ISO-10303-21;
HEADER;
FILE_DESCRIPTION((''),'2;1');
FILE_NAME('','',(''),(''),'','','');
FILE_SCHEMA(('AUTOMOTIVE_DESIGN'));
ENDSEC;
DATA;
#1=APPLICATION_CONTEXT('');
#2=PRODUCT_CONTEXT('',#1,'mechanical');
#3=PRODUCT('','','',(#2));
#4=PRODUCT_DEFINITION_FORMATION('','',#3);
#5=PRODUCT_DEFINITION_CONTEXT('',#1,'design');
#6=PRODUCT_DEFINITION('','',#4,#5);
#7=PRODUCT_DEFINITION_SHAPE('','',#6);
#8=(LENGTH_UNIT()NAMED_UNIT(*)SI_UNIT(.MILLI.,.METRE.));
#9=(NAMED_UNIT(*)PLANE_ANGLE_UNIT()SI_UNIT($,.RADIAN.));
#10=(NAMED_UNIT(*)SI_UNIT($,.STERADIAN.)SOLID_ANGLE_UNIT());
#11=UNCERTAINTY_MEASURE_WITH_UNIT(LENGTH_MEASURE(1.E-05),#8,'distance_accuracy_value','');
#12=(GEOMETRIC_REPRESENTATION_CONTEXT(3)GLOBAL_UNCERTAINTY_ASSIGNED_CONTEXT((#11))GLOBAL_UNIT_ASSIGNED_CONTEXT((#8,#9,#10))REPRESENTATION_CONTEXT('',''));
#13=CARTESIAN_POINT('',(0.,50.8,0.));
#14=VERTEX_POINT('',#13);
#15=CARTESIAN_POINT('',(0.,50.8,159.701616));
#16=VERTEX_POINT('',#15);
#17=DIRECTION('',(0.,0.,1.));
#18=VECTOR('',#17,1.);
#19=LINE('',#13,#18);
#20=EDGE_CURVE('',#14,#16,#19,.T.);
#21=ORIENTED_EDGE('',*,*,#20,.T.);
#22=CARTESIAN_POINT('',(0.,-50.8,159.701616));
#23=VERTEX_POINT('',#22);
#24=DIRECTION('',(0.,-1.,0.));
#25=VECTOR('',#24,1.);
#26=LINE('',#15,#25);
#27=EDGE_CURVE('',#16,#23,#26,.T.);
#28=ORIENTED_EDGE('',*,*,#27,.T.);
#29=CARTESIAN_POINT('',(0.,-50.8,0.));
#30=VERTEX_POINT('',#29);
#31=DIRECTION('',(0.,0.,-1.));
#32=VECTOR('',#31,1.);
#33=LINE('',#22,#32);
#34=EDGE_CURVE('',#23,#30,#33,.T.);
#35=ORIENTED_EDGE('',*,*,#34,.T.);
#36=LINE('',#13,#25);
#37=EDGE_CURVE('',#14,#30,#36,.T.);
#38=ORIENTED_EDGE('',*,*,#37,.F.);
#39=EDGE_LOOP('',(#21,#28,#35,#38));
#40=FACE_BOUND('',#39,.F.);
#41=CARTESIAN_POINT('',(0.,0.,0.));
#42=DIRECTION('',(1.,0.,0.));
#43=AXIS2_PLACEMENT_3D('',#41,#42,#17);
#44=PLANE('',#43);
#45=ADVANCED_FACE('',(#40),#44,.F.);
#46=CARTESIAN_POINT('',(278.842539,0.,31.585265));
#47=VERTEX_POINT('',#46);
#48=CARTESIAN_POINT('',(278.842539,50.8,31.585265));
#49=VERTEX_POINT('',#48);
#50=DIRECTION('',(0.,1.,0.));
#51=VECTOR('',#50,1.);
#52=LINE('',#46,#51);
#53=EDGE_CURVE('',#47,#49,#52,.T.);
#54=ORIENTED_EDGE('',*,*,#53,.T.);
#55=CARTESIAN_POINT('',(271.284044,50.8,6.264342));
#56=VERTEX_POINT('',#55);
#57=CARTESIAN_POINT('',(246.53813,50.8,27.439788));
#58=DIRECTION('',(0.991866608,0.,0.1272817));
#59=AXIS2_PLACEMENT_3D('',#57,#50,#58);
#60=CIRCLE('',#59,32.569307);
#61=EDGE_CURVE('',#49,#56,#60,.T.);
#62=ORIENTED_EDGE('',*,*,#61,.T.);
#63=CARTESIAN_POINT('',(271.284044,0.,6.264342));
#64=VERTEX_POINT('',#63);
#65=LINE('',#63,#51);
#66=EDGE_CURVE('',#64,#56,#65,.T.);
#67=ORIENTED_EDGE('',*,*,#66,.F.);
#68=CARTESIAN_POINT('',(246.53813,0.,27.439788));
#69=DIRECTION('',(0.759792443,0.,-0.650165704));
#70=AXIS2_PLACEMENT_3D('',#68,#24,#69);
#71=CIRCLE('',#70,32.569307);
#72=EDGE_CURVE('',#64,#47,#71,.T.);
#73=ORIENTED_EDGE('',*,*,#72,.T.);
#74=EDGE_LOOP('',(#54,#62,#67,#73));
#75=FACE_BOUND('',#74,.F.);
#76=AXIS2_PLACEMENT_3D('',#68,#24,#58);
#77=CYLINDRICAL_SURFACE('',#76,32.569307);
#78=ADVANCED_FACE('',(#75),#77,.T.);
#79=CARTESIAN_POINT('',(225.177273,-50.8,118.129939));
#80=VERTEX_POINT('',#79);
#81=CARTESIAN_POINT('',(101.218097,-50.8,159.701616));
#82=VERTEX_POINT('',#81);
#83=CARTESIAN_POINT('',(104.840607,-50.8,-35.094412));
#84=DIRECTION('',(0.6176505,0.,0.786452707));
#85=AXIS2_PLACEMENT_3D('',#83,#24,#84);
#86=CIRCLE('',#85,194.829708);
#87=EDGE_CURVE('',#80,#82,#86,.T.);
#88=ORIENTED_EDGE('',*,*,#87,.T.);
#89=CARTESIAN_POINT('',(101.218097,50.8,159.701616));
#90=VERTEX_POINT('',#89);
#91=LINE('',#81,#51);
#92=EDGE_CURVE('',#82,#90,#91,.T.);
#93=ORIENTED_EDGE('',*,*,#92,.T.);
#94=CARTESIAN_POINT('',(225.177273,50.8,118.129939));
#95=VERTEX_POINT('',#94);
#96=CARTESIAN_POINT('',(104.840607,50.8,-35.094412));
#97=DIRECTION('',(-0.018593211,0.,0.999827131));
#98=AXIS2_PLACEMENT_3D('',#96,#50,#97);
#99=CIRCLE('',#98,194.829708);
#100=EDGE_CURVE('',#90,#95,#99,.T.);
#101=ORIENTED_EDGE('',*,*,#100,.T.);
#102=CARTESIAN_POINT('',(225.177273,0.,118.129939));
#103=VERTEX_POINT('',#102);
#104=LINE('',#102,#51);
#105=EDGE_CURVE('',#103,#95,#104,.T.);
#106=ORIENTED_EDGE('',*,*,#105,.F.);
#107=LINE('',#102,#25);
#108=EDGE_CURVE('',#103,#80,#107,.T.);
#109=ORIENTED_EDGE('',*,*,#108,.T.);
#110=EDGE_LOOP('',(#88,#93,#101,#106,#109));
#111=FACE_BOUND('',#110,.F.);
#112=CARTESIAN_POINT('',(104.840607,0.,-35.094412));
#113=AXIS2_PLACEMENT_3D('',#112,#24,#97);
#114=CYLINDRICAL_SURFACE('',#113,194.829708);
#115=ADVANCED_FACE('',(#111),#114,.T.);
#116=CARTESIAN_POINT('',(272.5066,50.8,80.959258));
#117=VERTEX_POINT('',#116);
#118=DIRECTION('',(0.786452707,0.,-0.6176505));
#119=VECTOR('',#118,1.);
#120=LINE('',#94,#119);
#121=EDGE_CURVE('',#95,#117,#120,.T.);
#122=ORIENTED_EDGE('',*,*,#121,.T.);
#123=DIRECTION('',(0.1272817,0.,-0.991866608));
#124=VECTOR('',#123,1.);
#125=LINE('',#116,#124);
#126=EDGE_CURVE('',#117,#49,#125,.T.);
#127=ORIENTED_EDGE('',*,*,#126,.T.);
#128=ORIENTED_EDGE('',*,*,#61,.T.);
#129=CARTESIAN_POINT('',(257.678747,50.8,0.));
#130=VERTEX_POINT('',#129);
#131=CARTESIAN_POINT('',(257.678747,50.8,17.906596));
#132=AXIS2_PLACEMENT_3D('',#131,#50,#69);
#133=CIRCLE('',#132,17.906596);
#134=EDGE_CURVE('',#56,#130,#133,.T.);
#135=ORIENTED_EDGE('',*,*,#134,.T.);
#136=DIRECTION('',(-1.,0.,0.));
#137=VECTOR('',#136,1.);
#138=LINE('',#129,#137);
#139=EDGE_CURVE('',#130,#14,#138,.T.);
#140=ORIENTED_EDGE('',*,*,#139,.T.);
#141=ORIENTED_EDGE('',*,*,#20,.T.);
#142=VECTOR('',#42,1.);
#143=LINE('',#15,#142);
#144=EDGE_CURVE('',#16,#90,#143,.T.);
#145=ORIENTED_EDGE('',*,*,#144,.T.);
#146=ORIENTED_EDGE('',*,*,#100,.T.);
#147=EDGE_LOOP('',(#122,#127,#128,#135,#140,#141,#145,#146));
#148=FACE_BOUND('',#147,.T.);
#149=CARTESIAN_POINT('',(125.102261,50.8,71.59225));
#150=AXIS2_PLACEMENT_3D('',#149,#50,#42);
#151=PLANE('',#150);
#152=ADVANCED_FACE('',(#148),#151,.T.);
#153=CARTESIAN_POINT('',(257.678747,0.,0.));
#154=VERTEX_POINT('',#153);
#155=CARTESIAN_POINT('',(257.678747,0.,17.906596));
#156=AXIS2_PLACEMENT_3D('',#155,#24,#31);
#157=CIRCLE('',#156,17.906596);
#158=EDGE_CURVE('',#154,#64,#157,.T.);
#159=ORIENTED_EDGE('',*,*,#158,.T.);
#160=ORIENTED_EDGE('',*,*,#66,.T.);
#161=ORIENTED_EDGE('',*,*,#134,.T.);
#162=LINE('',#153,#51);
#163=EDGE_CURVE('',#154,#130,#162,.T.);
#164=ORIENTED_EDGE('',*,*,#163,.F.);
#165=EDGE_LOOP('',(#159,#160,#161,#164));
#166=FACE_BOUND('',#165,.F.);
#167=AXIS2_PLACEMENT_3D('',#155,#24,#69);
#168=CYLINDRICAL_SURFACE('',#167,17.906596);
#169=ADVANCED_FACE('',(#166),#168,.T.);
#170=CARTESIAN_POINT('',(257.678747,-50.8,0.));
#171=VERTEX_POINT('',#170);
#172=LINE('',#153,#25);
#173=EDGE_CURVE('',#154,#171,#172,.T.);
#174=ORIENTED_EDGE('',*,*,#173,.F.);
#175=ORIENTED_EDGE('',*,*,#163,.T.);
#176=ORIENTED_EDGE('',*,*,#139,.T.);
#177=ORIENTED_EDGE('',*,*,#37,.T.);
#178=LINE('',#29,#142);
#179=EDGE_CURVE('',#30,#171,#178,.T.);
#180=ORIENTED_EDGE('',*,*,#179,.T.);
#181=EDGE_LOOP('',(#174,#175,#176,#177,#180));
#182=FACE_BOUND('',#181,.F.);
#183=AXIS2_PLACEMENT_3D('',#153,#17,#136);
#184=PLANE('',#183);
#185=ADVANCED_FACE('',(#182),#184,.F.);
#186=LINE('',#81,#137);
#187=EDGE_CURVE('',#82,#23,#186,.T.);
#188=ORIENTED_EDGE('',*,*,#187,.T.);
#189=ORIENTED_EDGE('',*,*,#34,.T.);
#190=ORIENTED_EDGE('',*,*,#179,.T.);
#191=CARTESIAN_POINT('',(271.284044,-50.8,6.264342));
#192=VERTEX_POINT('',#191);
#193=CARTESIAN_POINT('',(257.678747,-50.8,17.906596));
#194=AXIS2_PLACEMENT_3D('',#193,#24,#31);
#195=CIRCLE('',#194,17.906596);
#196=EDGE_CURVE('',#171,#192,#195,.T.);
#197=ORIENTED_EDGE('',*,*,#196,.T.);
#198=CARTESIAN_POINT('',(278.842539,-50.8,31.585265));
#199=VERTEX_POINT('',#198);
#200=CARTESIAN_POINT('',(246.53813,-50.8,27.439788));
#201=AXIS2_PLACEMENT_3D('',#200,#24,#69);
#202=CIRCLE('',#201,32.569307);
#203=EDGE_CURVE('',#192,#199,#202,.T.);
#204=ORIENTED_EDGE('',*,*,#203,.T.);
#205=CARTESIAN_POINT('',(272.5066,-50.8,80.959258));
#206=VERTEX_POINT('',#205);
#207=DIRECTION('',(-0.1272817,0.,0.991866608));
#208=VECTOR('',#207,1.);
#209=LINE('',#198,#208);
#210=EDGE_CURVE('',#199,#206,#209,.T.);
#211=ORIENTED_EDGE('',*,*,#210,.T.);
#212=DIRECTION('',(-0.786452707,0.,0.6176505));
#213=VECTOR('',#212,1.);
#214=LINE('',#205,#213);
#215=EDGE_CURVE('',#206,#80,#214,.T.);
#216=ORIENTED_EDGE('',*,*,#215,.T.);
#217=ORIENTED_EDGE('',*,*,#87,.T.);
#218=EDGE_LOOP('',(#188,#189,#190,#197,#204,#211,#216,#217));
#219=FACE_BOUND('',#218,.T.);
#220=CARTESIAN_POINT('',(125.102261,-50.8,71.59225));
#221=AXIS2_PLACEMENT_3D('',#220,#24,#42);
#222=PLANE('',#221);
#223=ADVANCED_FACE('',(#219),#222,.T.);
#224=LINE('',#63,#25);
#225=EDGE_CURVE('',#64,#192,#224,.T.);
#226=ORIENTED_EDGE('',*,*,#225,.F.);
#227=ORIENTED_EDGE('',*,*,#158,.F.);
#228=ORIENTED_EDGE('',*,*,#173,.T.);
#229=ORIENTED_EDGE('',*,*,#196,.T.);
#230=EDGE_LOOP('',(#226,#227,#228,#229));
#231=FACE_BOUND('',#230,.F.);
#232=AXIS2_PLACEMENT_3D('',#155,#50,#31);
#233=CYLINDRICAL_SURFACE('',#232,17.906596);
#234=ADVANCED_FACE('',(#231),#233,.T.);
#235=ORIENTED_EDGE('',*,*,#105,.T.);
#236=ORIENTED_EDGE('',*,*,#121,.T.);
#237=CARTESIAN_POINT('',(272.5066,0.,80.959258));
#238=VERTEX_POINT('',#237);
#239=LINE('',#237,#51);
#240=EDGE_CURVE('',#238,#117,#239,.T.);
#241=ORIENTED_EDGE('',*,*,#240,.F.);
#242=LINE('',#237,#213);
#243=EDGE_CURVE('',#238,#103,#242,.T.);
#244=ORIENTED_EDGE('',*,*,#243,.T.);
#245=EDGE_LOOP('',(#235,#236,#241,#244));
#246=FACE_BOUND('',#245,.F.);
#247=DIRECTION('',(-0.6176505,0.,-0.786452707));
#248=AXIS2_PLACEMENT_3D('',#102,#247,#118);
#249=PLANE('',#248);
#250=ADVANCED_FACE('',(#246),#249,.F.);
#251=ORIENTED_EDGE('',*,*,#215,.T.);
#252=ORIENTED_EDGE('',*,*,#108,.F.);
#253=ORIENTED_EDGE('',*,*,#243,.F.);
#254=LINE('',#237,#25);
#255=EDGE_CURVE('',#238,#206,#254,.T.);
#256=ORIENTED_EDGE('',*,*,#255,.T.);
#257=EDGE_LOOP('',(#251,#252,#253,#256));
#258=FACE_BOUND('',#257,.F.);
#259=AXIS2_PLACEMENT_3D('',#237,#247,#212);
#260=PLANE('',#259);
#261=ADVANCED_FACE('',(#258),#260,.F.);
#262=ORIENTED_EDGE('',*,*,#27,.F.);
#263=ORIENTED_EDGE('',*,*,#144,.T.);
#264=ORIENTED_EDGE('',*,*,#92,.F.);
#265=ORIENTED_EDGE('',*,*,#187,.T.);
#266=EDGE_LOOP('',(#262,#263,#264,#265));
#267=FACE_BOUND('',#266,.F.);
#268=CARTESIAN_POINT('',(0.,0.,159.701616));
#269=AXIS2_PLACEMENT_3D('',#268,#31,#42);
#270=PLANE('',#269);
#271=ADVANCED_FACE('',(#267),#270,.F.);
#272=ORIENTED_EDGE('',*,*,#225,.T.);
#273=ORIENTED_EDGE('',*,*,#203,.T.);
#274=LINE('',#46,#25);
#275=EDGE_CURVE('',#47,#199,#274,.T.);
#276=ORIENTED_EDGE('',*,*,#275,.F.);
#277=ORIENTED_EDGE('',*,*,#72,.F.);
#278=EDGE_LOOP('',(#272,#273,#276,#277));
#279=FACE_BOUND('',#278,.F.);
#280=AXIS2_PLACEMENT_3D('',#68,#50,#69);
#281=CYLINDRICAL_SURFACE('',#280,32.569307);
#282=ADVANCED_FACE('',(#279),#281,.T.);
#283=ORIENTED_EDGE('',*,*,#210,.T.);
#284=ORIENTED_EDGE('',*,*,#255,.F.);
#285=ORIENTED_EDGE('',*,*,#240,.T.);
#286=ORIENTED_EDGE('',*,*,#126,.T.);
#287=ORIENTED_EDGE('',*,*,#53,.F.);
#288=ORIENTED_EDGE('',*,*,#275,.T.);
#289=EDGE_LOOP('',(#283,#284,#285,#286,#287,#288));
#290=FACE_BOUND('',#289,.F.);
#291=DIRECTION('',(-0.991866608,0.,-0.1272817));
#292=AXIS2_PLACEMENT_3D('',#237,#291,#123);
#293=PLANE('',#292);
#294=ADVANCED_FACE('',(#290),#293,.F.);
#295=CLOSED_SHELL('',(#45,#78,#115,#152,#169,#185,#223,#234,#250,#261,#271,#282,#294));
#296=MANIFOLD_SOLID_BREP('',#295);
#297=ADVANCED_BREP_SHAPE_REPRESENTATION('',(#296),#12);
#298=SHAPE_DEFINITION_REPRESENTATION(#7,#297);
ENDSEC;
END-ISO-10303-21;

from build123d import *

# Parameters (mm, degrees)
F1_DEPTH = 50.8
F3_DEPTH = 50.8


with BuildPart() as f1:
    # F0 (on Front) → F1 (new body)
    with BuildSketch(Plane.XZ):
        with BuildLine():
            Line((0, 159.701615572), (0, 0))
            Line((0, 0), (149.214476347, 0))
            Line((149.214476347, 0), (257.6787471771, 0))
            ThreePointArc((257.6787471771, 0), (265.1678404248, 1.6413058434), (271.2840437889, 6.2643415295))
            ThreePointArc((271.2840437889, 6.2643415295), (277.7466562856, 18.1237976534), (278.8425385952, 31.585264951))
            Line((278.8425385952, 31.585264951), (272.5066001582, 80.9592581134))
            Line((272.5066001582, 80.9592581134), (225.1772731543, 118.1299388409))
            ThreePointArc((225.1772731543, 118.1299388409), (166.7889696259, 149.6243344451), (101.2180969119, 159.701615572))
            Line((101.2180969119, 159.701615572), (0, 159.701615572))
        make_face()
    extrude(amount=F1_DEPTH)

    # F1_face1 (on face) + F2 (on face) → F3 (join)
    with BuildSketch(Plane(origin=(126.3622258325, 0, 73.3605243623), x_dir=(1, 0, 0), z_dir=(0, 1, 0))):
        with BuildLine():
            Line((-126.3622258325, -86.3410912097), (-25.1441289206, -86.3410912097))
            ThreePointArc((-25.1441289206, -86.3410912097), (40.4267437934, -76.2638100828), (98.8150473217, -44.7694144786))
            Line((98.8150473217, -44.7694144786), (146.1443743257, -7.5987337511))
            Line((146.1443743257, -7.5987337511), (152.4803127627, 41.7752594113))
            ThreePointArc((152.4803127627, 41.7752594113), (151.3844304531, 55.2367267089), (144.9218179564, 67.0961828329))
            ThreePointArc((144.9218179564, 67.0961828329), (138.8056145923, 71.7192185189), (131.3165213446, 73.3605243623))
            Line((131.3165213446, 73.3605243623), (-126.3622258325, 73.3605243623))
            Line((-126.3622258325, 73.3605243623), (-126.3622258325, -86.3410912097))
        make_face()
    with BuildSketch(Plane.XZ.offset(50.8)):
        with BuildLine():
            ThreePointArc((225.1772731543, 118.1299388409), (166.7889696259, 149.6243344451), (101.2180969119, 159.701615572))
            Line((101.2180969119, 159.701615572), (0, 159.701615572))
            Line((0, 159.701615572), (0, 0))
            Line((0, 0), (257.6787471771, 0))
            ThreePointArc((257.6787471771, 0), (265.1678404248, 1.6413058434), (271.2840437889, 6.2643415295))
            ThreePointArc((271.2840437889, 6.2643415295), (277.7466562856, 18.1237976534), (278.8425385952, 31.585264951))
            Line((278.8425385952, 31.585264951), (272.5066001582, 80.9592581134))
            Line((272.5066001582, 80.9592581134), (225.1772731543, 118.1299388409))
        make_face()
    extrude(amount=F3_DEPTH, dir=(0, 1, 0))


solid = f1.part
